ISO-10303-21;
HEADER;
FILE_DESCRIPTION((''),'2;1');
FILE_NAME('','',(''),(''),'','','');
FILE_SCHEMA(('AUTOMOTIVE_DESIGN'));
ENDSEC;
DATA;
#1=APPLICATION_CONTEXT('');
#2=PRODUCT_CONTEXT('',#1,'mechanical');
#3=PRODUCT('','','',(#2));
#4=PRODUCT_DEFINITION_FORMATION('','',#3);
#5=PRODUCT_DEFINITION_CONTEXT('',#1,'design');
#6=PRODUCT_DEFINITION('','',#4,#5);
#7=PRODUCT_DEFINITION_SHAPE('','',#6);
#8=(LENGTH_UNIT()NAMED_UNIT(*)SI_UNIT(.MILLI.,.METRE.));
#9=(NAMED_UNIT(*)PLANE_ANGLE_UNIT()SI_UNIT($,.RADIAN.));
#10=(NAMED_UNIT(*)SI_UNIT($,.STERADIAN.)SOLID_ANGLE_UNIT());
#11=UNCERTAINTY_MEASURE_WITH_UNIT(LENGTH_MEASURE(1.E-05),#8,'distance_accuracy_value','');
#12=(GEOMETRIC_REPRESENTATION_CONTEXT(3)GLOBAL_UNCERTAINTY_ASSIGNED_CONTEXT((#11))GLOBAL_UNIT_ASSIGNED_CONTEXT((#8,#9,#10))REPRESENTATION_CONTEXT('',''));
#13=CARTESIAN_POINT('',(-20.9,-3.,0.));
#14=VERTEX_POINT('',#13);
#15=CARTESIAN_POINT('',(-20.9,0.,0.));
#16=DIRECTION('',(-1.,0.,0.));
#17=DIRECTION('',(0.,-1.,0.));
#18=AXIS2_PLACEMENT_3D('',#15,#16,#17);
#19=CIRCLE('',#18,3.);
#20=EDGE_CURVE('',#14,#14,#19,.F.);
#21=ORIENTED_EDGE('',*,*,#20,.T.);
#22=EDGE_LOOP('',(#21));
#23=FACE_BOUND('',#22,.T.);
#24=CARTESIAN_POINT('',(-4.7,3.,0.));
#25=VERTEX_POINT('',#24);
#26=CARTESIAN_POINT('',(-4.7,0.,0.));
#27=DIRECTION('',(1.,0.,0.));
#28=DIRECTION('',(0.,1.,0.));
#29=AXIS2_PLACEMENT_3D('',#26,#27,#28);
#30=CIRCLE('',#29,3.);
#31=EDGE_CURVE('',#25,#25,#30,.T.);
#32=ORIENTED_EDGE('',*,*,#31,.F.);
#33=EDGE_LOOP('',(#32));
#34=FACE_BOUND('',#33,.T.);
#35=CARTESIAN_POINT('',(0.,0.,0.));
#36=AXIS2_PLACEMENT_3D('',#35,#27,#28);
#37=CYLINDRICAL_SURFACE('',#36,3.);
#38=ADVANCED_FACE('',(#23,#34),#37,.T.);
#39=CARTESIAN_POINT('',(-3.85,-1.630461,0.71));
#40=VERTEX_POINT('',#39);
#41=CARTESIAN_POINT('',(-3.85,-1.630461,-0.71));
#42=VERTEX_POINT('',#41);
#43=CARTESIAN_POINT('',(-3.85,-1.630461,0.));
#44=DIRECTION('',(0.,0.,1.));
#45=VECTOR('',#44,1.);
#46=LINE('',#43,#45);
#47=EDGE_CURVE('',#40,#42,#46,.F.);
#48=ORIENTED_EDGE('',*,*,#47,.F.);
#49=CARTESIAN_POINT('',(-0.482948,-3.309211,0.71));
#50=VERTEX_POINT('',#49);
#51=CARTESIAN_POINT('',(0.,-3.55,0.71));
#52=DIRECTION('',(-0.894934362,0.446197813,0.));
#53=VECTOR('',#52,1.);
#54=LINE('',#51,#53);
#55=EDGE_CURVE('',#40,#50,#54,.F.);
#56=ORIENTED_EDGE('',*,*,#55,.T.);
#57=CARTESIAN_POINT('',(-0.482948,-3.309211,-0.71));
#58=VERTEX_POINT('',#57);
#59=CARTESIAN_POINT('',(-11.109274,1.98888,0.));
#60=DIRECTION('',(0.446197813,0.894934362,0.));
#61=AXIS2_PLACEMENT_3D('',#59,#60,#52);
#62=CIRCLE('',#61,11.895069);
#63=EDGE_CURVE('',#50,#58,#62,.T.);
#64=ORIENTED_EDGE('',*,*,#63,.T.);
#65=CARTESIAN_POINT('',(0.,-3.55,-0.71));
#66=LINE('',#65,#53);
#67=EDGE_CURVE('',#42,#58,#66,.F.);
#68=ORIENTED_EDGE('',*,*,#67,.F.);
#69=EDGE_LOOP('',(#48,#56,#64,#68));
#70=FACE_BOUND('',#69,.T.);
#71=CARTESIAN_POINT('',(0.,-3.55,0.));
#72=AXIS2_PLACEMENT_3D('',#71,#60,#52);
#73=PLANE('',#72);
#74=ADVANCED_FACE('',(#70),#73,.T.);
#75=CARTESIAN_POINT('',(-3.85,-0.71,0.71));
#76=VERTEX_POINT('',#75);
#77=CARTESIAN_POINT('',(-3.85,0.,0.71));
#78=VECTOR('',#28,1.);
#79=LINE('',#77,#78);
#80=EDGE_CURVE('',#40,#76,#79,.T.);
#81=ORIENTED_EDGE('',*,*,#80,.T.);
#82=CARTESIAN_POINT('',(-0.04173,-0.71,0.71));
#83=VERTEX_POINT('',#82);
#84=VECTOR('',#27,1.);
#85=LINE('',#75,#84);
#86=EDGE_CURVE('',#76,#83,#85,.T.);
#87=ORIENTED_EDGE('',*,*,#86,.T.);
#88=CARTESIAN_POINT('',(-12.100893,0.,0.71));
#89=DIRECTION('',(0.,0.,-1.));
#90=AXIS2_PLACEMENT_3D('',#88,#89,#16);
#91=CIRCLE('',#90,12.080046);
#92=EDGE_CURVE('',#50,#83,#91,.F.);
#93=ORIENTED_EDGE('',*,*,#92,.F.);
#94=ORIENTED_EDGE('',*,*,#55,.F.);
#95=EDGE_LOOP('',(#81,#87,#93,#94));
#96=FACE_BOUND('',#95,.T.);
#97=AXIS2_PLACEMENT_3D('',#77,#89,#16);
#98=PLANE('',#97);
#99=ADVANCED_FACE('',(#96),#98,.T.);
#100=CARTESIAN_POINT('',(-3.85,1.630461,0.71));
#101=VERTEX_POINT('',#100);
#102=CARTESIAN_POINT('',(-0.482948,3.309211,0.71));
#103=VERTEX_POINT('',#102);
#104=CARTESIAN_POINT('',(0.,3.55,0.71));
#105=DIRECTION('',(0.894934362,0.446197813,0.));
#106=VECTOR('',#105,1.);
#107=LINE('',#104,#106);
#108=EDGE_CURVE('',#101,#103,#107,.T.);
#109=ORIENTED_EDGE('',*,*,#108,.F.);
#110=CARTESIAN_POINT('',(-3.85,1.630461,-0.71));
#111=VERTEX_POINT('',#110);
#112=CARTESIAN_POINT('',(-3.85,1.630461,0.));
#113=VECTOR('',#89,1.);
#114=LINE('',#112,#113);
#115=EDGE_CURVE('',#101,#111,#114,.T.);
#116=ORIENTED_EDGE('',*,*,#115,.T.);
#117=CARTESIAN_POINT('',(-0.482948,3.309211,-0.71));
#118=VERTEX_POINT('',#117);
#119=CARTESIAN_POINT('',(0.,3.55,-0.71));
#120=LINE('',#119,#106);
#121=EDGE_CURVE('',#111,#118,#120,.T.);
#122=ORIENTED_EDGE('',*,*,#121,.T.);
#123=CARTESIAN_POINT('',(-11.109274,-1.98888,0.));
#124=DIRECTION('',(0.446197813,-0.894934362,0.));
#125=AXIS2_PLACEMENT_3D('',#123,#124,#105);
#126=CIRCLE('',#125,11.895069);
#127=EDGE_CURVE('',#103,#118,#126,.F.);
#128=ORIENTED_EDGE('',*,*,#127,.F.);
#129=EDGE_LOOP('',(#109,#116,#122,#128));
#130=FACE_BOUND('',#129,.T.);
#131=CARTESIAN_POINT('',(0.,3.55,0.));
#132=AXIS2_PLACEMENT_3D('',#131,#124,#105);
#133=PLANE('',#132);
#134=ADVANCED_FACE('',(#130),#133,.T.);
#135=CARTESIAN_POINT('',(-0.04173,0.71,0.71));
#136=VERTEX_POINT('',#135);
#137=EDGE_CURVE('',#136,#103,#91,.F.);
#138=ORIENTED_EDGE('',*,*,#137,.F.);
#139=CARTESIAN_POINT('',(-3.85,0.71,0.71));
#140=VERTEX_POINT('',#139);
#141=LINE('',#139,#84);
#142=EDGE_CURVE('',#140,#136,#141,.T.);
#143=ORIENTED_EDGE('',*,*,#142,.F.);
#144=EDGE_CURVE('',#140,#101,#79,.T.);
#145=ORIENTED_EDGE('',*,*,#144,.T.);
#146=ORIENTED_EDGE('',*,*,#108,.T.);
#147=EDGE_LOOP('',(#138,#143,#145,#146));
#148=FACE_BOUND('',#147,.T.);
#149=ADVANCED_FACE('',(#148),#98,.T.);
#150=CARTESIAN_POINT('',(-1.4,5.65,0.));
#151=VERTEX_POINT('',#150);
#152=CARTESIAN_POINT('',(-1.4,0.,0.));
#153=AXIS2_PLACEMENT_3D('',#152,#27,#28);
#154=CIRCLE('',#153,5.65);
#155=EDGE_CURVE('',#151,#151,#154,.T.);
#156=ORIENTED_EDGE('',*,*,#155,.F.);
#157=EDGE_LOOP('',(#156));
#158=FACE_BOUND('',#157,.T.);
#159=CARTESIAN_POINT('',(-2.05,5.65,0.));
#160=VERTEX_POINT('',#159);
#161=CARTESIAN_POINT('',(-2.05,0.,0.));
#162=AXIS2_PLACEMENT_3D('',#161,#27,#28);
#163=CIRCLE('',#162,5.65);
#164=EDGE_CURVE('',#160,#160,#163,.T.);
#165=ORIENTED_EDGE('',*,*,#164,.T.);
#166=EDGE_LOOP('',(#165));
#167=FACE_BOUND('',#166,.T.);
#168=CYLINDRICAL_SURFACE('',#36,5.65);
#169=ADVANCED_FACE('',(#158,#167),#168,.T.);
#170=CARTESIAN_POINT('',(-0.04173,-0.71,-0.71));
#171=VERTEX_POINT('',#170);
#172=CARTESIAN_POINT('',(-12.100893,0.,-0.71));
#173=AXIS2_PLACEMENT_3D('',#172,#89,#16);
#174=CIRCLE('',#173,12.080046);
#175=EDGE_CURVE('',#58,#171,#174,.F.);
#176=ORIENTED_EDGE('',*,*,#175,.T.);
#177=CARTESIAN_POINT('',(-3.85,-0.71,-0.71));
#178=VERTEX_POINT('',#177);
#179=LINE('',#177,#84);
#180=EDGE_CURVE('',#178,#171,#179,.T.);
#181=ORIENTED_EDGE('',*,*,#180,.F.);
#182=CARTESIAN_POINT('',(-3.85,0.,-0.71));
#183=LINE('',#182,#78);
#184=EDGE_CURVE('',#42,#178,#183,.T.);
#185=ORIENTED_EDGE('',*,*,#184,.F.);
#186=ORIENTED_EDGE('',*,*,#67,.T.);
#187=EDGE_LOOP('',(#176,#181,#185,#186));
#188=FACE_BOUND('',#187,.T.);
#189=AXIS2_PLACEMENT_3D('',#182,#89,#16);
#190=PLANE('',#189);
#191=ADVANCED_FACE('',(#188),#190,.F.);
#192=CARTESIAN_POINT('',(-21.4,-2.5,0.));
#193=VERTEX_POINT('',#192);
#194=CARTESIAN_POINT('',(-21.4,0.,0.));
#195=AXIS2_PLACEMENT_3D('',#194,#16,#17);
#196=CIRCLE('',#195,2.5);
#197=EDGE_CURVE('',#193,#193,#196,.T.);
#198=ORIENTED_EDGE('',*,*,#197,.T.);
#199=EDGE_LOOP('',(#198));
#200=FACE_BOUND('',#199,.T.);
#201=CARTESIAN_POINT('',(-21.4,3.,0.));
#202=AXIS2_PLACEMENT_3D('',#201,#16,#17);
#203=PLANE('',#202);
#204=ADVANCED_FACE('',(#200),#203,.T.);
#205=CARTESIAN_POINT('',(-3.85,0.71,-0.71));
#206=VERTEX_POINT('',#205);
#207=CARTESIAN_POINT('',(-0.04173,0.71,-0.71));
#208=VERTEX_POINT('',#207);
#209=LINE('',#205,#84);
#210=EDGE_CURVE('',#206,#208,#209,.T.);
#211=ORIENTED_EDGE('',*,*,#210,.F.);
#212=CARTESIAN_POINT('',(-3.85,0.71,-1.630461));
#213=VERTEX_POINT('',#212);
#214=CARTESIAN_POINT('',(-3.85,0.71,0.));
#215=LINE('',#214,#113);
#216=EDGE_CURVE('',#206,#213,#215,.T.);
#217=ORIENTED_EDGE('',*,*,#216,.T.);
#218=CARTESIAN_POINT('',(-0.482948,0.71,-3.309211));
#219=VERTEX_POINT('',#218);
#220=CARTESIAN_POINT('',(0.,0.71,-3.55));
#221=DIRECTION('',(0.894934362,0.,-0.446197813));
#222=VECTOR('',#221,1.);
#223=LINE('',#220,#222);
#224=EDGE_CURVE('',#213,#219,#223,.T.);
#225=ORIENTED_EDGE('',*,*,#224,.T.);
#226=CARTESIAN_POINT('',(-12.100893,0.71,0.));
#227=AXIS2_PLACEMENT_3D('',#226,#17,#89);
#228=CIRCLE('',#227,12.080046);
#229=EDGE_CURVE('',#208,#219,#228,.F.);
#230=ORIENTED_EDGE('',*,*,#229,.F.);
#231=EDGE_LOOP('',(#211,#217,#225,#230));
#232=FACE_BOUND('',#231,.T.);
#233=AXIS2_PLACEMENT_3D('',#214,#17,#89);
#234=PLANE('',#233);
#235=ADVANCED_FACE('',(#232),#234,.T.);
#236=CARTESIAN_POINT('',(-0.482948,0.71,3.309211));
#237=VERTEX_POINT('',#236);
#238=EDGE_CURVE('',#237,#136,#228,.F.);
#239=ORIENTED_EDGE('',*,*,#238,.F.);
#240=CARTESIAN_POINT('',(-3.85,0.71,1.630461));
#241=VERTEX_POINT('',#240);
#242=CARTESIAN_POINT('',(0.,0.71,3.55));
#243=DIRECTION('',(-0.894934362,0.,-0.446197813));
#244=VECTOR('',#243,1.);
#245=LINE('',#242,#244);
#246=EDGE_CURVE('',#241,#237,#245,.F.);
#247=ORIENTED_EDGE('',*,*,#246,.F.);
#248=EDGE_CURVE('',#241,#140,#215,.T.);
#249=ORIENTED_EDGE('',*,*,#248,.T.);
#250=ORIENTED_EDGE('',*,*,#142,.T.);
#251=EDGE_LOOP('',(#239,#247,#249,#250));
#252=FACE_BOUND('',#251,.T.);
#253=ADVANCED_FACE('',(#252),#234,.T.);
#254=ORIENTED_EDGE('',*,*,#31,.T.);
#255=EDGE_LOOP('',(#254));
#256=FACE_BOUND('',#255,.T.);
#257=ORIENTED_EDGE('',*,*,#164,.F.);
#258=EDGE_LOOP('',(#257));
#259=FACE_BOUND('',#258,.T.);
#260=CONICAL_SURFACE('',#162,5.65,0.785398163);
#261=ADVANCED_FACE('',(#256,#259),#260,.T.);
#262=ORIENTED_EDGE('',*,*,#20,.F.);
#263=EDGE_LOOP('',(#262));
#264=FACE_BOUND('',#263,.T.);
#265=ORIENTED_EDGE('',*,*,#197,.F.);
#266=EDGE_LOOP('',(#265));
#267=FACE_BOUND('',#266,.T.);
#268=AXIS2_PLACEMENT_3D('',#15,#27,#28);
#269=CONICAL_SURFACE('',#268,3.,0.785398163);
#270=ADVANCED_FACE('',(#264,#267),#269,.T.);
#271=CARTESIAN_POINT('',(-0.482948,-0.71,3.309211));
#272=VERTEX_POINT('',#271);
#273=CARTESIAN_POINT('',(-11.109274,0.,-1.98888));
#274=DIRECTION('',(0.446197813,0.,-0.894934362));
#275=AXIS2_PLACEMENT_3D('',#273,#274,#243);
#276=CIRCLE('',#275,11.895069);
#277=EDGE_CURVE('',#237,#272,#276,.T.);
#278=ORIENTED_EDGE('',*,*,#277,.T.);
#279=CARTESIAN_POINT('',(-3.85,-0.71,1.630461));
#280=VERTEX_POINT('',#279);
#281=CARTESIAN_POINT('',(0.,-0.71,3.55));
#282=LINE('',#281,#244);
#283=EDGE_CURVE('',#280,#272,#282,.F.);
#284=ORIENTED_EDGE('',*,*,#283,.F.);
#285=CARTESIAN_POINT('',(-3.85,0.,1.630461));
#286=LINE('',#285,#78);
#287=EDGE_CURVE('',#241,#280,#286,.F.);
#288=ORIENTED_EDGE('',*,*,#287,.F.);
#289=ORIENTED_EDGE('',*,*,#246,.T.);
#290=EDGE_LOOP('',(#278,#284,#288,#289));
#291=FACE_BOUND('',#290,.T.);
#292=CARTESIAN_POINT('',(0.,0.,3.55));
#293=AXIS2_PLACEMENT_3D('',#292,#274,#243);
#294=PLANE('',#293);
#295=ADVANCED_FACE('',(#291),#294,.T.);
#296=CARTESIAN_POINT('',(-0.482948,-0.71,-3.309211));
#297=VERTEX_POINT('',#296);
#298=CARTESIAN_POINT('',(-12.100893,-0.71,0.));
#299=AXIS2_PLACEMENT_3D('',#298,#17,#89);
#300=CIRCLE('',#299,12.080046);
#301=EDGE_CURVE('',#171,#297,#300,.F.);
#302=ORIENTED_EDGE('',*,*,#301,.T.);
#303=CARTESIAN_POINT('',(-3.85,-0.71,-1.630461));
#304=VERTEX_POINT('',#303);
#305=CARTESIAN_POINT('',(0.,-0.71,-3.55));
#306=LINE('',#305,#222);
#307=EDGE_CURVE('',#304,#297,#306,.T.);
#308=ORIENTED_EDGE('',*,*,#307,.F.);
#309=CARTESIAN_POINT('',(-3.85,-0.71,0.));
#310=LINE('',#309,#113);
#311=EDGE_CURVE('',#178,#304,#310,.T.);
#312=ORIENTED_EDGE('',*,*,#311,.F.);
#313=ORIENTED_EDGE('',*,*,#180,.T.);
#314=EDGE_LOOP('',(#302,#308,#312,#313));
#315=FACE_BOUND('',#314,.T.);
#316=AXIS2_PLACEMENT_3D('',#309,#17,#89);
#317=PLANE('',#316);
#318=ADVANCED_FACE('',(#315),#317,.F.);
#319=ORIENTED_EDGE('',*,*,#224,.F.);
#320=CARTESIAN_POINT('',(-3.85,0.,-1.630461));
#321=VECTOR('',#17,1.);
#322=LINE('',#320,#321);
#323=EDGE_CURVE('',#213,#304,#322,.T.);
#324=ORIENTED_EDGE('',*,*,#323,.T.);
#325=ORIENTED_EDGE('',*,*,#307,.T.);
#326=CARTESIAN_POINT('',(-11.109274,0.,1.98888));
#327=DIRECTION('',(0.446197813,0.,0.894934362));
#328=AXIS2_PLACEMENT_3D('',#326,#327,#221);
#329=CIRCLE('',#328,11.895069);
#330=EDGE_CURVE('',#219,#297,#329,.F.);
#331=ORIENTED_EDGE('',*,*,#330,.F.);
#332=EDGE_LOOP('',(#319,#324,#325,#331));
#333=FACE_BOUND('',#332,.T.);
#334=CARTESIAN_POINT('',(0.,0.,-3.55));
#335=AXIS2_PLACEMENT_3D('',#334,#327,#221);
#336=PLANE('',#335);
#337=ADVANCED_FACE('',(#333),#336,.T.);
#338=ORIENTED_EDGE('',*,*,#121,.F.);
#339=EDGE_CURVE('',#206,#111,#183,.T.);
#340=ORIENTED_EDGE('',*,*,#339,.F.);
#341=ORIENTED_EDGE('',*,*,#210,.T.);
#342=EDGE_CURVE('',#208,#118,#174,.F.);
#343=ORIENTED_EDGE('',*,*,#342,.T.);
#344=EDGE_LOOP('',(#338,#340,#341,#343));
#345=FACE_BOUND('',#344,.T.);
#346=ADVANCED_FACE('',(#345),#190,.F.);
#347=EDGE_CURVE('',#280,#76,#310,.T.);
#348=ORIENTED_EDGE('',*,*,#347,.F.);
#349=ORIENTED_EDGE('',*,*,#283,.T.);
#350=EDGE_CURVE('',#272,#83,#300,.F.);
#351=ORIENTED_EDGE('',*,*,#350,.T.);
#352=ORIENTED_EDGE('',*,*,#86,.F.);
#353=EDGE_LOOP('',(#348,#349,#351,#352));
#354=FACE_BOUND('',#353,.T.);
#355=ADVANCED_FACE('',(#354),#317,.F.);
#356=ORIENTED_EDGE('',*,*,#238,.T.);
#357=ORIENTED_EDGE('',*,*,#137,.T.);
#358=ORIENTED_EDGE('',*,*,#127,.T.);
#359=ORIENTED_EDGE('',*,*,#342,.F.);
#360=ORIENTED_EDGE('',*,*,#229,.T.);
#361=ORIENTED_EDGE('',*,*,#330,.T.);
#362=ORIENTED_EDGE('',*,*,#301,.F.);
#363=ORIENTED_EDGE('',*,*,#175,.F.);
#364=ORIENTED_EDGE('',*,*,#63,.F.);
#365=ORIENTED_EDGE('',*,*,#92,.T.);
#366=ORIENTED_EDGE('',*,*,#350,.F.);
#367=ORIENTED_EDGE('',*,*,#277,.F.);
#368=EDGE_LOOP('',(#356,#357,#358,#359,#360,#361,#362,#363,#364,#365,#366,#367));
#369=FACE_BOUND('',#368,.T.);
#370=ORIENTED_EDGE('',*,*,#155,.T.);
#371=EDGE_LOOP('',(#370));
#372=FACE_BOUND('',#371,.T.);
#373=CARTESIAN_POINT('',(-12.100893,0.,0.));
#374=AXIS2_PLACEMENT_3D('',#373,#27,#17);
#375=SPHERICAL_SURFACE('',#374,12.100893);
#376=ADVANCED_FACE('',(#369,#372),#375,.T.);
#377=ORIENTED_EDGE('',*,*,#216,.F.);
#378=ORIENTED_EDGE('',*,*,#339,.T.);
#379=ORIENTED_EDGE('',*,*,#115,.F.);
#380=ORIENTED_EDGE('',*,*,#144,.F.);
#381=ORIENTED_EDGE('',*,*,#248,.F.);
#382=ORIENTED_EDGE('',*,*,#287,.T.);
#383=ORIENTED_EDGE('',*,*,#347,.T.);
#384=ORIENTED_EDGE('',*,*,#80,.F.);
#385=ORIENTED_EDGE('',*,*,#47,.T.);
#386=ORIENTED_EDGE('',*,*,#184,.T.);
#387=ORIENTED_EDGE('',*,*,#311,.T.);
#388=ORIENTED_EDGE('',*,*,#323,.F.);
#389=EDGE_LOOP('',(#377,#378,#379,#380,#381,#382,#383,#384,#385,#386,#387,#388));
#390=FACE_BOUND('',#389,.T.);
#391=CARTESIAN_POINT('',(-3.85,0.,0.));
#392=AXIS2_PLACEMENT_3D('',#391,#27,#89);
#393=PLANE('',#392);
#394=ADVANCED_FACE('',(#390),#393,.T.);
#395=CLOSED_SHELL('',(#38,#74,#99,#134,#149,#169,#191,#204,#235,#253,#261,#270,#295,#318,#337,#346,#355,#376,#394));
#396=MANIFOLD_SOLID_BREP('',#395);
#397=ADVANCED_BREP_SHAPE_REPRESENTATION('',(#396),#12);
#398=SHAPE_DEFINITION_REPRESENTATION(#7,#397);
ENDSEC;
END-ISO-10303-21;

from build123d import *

# Parameters (mm, degrees)
SKETCH2_W          = 1.42
SKETCH2_H          = 2.84
SKETCH2_W_2        = 2.84
SKETCH2_H_2        = 1.42
CUT_EXTRUDE1_DEPTH = 3.85
DRAFT1_ANGLE       = 26.5
CHAMFER1_SIZE      = 0.5


with BuildPart() as part:
    # Sketch1 → Revolve1 (revolve)
    with BuildSketch(Plane.XY):
        with BuildLine():
            Line((-1.4, 5.65), (-2.05, 5.65))
            Line((-2.05, 5.65), (-4.7, 3))
            Line((-4.7, 3), (-21.4, 3))
            Line((-21.4, 3), (-21.4, 0))
            Line((-21.4, 0), (0, 0))
            ThreePointArc((0, 0), (-0.355213526, 2.910433816), (-1.4, 5.65))
        make_face()
    revolve(axis=Axis((0, 0, 0), (-1, 0, 0)))

    # Sketch2 → Cut-Extrude1 (cut)
    with BuildSketch(Plane(origin=(0, 0, 0), x_dir=(0, 0, -1), z_dir=(1, 0, 0))):
        with Locations((0, 2.13)):
            Rectangle(SKETCH2_W, SKETCH2_H)
        with Locations((-2.13, 0)):
            Rectangle(SKETCH2_W_2, SKETCH2_H_2)
        Rectangle(SKETCH2_W, SKETCH2_H_2)
        with Locations((2.13, 0)):
            Rectangle(SKETCH2_W_2, SKETCH2_H_2)
        with Locations((0, -2.13)):
            Rectangle(SKETCH2_W, SKETCH2_H)
    extrude(amount=-CUT_EXTRUDE1_DEPTH, mode=Mode.SUBTRACT)

    # Draft1
    draft1_faces = [part.faces().sort_by_distance(p)[0] for p in [
        (-2.194846815, -3.55, 0),
        (-2.194846815, 0, 3.55),
        (-2.194846815, 0, -3.55),
        (-2.194846815, 3.55, 0),
    ]]
    draft(draft1_faces, Plane(origin=(0, 0, 0), x_dir=(0, 0, 1), z_dir=(1, 0, 0)), DRAFT1_ANGLE)

    # Chamfer1
    chamfer1_edges = [part.edges().sort_by_distance(p)[0] for p in [
        (-21.4, -3, 0),
    ]]
    chamfer(chamfer1_edges, length=CHAMFER1_SIZE)


solid = part.part
